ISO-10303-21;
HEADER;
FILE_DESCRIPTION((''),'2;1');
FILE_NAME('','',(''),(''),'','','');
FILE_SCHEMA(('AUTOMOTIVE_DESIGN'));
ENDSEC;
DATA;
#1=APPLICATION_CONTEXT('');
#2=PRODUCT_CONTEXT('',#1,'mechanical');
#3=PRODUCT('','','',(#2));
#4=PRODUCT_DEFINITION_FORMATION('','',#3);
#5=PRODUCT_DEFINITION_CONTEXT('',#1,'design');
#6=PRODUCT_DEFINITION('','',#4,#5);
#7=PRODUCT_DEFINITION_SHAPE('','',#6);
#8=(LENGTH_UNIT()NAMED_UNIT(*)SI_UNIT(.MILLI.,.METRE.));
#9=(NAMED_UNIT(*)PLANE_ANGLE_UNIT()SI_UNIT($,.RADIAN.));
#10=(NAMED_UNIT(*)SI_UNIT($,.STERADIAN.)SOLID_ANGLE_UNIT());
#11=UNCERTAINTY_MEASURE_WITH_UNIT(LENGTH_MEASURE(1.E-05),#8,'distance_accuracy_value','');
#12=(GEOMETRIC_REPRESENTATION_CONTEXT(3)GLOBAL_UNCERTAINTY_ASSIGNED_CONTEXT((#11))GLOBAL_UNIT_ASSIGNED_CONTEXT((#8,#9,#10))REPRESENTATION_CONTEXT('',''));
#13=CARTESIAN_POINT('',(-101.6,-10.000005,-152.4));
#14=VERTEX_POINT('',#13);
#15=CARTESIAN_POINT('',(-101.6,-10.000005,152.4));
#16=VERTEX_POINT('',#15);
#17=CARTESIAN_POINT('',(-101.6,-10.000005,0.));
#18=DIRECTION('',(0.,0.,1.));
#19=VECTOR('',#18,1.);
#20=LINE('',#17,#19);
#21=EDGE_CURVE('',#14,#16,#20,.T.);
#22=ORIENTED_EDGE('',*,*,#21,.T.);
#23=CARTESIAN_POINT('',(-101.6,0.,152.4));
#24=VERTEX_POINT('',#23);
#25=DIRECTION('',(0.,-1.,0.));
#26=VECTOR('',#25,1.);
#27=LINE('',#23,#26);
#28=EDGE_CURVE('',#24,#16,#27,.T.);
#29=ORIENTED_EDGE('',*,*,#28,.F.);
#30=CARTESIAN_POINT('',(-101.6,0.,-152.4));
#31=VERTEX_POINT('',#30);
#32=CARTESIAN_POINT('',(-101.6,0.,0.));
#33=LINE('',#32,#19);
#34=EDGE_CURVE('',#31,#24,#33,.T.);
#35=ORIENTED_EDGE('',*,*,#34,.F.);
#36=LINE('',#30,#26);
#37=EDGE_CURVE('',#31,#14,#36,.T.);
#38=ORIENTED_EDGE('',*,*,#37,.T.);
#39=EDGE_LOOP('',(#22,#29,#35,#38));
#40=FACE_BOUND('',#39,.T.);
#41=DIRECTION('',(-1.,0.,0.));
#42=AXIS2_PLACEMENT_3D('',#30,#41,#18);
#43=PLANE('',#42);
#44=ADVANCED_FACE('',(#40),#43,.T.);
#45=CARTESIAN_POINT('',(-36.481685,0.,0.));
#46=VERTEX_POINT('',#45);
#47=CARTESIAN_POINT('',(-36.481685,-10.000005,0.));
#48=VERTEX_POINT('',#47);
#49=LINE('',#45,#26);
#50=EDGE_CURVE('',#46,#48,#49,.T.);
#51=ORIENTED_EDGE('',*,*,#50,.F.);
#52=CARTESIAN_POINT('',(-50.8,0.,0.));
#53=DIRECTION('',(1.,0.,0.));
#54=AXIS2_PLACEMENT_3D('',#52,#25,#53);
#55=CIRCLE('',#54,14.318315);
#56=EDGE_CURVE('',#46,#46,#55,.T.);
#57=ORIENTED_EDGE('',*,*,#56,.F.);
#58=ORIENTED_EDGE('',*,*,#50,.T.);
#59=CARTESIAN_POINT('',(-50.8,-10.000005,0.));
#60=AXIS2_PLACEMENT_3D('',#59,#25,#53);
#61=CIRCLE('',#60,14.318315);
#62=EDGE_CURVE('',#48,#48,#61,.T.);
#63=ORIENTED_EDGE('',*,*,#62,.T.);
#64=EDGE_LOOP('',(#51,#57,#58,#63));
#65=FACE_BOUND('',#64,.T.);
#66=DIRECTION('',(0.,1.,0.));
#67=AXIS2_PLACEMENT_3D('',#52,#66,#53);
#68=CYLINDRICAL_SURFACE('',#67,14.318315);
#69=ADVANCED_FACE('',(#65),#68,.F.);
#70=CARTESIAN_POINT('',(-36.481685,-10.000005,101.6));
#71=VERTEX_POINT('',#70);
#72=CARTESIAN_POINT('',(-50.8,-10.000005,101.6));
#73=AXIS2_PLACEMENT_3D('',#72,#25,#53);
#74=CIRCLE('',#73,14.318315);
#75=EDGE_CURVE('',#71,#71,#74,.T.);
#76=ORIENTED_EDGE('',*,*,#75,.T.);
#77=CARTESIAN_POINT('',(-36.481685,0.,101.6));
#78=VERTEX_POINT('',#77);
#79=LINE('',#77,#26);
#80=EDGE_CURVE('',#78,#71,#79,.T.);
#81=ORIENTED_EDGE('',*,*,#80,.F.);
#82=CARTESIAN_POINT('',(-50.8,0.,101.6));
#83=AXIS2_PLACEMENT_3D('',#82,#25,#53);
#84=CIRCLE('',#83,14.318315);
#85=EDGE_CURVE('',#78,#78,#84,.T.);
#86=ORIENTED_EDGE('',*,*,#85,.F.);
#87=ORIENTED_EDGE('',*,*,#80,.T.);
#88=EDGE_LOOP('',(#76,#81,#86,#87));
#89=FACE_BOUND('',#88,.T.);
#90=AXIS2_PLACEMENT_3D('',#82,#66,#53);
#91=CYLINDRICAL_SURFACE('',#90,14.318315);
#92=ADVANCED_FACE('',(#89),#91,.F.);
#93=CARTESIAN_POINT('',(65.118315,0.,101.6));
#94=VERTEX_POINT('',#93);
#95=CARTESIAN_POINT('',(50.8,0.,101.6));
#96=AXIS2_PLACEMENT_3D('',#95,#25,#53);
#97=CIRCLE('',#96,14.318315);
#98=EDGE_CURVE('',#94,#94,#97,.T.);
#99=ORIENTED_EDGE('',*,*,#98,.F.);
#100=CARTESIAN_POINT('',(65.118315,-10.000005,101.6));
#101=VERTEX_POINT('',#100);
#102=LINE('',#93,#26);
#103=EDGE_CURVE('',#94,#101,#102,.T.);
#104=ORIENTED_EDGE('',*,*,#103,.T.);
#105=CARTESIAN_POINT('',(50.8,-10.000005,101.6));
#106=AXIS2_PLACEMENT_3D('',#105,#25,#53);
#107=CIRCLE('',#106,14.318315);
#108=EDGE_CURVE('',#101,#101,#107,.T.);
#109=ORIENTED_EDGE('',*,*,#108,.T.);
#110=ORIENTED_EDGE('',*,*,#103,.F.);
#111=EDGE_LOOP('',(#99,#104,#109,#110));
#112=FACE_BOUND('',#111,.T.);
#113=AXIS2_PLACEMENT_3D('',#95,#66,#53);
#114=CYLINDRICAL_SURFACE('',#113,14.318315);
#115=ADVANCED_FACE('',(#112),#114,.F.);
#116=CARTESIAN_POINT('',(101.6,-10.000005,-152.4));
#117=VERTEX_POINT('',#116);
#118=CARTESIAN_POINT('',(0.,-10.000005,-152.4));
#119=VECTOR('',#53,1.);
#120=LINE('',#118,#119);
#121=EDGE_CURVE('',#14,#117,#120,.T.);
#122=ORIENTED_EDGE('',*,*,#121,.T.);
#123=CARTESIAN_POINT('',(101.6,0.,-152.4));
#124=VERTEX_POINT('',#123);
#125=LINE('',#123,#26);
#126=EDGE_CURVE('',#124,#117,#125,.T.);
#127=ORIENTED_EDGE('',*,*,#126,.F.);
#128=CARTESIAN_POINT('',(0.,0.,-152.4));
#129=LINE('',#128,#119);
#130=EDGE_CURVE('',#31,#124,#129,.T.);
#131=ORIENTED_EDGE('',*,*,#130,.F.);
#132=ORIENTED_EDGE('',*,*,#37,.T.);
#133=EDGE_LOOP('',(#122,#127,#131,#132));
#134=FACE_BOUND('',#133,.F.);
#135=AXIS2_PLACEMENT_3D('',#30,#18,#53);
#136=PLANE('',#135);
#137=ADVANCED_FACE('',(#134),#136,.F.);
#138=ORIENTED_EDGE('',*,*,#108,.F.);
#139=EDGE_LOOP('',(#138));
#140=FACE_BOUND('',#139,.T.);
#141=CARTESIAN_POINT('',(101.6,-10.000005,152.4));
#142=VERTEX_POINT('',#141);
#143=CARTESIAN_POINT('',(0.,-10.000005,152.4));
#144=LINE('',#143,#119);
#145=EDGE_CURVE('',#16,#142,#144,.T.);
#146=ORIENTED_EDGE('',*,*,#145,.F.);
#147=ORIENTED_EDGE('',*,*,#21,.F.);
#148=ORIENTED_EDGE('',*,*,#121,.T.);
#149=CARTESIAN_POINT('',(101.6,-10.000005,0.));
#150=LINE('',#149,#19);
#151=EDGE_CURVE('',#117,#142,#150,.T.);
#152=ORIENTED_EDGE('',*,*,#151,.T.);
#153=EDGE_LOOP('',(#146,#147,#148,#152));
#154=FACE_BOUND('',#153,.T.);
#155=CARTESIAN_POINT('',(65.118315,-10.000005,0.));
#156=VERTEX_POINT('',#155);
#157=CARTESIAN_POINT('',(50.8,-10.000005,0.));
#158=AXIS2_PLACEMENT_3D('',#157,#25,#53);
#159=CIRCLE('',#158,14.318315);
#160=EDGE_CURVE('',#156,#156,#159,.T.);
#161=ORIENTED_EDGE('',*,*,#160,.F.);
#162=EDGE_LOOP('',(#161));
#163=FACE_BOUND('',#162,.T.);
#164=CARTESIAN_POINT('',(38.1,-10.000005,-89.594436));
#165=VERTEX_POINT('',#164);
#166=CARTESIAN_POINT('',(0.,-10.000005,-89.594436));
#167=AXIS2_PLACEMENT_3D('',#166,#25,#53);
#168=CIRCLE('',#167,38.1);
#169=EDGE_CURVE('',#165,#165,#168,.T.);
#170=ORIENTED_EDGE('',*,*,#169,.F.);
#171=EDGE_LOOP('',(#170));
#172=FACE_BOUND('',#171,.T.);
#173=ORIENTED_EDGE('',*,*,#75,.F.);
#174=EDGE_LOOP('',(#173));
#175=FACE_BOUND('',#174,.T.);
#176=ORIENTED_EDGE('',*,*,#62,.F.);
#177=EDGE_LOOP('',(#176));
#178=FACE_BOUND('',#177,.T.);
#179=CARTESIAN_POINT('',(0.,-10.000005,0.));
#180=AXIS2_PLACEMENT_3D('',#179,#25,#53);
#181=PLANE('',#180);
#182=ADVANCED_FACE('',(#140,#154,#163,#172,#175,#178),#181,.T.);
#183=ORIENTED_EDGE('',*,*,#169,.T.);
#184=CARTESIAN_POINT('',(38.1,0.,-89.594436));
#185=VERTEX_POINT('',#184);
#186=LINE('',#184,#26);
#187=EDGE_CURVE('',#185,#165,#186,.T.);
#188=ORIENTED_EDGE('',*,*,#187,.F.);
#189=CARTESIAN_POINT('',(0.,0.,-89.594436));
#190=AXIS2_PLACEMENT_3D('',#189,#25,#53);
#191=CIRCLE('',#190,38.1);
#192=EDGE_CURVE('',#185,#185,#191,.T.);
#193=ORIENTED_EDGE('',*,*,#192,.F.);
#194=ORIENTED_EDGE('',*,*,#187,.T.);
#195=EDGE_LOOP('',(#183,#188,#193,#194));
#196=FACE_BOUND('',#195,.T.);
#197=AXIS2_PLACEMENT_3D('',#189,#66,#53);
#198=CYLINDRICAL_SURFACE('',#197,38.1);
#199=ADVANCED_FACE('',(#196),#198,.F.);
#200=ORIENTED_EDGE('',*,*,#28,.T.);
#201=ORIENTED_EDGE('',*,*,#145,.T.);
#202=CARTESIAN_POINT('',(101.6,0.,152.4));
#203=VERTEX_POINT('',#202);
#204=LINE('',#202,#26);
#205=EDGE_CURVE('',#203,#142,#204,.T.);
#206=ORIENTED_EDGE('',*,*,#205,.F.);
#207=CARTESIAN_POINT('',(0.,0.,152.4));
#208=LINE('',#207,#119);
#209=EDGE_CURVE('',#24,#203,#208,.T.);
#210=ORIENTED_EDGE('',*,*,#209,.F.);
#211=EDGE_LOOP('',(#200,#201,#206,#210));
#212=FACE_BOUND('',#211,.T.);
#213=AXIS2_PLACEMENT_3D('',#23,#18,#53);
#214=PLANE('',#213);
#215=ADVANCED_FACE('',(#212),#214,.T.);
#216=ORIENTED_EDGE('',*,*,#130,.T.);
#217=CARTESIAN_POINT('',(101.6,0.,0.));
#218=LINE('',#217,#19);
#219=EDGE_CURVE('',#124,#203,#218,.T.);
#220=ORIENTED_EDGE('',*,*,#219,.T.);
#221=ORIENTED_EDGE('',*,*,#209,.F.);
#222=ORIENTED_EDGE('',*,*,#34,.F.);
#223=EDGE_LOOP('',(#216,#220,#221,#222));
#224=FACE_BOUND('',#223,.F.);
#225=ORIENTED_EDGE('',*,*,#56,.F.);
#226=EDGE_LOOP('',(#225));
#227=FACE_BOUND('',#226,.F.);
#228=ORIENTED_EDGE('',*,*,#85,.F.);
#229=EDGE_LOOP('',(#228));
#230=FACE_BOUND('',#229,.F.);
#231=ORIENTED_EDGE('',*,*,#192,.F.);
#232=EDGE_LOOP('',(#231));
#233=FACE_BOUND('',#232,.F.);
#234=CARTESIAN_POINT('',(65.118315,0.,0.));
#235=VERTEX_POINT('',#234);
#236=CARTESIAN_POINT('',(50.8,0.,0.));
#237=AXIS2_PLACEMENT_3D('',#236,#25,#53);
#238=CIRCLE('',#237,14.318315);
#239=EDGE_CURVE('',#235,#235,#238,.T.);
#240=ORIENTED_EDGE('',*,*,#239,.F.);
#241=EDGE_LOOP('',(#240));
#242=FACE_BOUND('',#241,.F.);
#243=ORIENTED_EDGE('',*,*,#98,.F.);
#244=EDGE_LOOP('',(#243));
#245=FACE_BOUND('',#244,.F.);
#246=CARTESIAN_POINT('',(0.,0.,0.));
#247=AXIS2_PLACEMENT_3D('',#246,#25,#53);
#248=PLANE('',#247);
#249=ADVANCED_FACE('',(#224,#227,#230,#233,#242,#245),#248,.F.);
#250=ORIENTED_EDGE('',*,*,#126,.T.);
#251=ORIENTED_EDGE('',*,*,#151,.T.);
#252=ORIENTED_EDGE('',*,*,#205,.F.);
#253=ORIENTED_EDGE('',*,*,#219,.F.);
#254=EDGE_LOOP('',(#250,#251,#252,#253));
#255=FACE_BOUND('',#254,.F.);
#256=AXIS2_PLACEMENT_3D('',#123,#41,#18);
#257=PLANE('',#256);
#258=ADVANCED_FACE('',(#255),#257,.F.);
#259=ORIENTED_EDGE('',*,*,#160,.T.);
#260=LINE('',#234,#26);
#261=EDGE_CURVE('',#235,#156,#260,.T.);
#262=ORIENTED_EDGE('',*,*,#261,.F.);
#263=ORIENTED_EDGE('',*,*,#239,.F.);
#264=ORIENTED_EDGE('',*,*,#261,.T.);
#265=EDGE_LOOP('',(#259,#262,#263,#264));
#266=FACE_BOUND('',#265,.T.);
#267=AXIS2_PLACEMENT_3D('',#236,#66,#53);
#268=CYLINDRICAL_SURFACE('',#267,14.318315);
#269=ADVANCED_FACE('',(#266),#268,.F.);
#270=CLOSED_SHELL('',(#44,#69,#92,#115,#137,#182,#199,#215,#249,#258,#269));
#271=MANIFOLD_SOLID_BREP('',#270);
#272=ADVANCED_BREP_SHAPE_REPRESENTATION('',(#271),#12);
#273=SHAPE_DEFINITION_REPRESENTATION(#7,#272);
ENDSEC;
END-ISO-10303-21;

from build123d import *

# Parameters (mm, degrees)
SKETCH_W   = 203.2
SKETCH_H   = 304.8
SKETCH_R   = 14.318315
SKETCH_R_2 = 38.1
PAD_DEPTH  = 10.000005


with BuildPart() as part:
    # Sketch → Pad (new body)
    with BuildSketch(Plane.XZ):
        Rectangle(SKETCH_W, SKETCH_H)
        with Locations((50.8, 101.6)):
            Circle(SKETCH_R, mode=Mode.SUBTRACT)
        with Locations((-50.8, 0)):
            Circle(SKETCH_R, mode=Mode.SUBTRACT)
        with Locations((50.8, 0)):
            Circle(SKETCH_R, mode=Mode.SUBTRACT)
        with Locations((0, -89.594436)):
            Circle(SKETCH_R_2, mode=Mode.SUBTRACT)
        with Locations((-50.8, 101.6)):
            Circle(SKETCH_R, mode=Mode.SUBTRACT)
    extrude(amount=PAD_DEPTH)


solid = part.part
